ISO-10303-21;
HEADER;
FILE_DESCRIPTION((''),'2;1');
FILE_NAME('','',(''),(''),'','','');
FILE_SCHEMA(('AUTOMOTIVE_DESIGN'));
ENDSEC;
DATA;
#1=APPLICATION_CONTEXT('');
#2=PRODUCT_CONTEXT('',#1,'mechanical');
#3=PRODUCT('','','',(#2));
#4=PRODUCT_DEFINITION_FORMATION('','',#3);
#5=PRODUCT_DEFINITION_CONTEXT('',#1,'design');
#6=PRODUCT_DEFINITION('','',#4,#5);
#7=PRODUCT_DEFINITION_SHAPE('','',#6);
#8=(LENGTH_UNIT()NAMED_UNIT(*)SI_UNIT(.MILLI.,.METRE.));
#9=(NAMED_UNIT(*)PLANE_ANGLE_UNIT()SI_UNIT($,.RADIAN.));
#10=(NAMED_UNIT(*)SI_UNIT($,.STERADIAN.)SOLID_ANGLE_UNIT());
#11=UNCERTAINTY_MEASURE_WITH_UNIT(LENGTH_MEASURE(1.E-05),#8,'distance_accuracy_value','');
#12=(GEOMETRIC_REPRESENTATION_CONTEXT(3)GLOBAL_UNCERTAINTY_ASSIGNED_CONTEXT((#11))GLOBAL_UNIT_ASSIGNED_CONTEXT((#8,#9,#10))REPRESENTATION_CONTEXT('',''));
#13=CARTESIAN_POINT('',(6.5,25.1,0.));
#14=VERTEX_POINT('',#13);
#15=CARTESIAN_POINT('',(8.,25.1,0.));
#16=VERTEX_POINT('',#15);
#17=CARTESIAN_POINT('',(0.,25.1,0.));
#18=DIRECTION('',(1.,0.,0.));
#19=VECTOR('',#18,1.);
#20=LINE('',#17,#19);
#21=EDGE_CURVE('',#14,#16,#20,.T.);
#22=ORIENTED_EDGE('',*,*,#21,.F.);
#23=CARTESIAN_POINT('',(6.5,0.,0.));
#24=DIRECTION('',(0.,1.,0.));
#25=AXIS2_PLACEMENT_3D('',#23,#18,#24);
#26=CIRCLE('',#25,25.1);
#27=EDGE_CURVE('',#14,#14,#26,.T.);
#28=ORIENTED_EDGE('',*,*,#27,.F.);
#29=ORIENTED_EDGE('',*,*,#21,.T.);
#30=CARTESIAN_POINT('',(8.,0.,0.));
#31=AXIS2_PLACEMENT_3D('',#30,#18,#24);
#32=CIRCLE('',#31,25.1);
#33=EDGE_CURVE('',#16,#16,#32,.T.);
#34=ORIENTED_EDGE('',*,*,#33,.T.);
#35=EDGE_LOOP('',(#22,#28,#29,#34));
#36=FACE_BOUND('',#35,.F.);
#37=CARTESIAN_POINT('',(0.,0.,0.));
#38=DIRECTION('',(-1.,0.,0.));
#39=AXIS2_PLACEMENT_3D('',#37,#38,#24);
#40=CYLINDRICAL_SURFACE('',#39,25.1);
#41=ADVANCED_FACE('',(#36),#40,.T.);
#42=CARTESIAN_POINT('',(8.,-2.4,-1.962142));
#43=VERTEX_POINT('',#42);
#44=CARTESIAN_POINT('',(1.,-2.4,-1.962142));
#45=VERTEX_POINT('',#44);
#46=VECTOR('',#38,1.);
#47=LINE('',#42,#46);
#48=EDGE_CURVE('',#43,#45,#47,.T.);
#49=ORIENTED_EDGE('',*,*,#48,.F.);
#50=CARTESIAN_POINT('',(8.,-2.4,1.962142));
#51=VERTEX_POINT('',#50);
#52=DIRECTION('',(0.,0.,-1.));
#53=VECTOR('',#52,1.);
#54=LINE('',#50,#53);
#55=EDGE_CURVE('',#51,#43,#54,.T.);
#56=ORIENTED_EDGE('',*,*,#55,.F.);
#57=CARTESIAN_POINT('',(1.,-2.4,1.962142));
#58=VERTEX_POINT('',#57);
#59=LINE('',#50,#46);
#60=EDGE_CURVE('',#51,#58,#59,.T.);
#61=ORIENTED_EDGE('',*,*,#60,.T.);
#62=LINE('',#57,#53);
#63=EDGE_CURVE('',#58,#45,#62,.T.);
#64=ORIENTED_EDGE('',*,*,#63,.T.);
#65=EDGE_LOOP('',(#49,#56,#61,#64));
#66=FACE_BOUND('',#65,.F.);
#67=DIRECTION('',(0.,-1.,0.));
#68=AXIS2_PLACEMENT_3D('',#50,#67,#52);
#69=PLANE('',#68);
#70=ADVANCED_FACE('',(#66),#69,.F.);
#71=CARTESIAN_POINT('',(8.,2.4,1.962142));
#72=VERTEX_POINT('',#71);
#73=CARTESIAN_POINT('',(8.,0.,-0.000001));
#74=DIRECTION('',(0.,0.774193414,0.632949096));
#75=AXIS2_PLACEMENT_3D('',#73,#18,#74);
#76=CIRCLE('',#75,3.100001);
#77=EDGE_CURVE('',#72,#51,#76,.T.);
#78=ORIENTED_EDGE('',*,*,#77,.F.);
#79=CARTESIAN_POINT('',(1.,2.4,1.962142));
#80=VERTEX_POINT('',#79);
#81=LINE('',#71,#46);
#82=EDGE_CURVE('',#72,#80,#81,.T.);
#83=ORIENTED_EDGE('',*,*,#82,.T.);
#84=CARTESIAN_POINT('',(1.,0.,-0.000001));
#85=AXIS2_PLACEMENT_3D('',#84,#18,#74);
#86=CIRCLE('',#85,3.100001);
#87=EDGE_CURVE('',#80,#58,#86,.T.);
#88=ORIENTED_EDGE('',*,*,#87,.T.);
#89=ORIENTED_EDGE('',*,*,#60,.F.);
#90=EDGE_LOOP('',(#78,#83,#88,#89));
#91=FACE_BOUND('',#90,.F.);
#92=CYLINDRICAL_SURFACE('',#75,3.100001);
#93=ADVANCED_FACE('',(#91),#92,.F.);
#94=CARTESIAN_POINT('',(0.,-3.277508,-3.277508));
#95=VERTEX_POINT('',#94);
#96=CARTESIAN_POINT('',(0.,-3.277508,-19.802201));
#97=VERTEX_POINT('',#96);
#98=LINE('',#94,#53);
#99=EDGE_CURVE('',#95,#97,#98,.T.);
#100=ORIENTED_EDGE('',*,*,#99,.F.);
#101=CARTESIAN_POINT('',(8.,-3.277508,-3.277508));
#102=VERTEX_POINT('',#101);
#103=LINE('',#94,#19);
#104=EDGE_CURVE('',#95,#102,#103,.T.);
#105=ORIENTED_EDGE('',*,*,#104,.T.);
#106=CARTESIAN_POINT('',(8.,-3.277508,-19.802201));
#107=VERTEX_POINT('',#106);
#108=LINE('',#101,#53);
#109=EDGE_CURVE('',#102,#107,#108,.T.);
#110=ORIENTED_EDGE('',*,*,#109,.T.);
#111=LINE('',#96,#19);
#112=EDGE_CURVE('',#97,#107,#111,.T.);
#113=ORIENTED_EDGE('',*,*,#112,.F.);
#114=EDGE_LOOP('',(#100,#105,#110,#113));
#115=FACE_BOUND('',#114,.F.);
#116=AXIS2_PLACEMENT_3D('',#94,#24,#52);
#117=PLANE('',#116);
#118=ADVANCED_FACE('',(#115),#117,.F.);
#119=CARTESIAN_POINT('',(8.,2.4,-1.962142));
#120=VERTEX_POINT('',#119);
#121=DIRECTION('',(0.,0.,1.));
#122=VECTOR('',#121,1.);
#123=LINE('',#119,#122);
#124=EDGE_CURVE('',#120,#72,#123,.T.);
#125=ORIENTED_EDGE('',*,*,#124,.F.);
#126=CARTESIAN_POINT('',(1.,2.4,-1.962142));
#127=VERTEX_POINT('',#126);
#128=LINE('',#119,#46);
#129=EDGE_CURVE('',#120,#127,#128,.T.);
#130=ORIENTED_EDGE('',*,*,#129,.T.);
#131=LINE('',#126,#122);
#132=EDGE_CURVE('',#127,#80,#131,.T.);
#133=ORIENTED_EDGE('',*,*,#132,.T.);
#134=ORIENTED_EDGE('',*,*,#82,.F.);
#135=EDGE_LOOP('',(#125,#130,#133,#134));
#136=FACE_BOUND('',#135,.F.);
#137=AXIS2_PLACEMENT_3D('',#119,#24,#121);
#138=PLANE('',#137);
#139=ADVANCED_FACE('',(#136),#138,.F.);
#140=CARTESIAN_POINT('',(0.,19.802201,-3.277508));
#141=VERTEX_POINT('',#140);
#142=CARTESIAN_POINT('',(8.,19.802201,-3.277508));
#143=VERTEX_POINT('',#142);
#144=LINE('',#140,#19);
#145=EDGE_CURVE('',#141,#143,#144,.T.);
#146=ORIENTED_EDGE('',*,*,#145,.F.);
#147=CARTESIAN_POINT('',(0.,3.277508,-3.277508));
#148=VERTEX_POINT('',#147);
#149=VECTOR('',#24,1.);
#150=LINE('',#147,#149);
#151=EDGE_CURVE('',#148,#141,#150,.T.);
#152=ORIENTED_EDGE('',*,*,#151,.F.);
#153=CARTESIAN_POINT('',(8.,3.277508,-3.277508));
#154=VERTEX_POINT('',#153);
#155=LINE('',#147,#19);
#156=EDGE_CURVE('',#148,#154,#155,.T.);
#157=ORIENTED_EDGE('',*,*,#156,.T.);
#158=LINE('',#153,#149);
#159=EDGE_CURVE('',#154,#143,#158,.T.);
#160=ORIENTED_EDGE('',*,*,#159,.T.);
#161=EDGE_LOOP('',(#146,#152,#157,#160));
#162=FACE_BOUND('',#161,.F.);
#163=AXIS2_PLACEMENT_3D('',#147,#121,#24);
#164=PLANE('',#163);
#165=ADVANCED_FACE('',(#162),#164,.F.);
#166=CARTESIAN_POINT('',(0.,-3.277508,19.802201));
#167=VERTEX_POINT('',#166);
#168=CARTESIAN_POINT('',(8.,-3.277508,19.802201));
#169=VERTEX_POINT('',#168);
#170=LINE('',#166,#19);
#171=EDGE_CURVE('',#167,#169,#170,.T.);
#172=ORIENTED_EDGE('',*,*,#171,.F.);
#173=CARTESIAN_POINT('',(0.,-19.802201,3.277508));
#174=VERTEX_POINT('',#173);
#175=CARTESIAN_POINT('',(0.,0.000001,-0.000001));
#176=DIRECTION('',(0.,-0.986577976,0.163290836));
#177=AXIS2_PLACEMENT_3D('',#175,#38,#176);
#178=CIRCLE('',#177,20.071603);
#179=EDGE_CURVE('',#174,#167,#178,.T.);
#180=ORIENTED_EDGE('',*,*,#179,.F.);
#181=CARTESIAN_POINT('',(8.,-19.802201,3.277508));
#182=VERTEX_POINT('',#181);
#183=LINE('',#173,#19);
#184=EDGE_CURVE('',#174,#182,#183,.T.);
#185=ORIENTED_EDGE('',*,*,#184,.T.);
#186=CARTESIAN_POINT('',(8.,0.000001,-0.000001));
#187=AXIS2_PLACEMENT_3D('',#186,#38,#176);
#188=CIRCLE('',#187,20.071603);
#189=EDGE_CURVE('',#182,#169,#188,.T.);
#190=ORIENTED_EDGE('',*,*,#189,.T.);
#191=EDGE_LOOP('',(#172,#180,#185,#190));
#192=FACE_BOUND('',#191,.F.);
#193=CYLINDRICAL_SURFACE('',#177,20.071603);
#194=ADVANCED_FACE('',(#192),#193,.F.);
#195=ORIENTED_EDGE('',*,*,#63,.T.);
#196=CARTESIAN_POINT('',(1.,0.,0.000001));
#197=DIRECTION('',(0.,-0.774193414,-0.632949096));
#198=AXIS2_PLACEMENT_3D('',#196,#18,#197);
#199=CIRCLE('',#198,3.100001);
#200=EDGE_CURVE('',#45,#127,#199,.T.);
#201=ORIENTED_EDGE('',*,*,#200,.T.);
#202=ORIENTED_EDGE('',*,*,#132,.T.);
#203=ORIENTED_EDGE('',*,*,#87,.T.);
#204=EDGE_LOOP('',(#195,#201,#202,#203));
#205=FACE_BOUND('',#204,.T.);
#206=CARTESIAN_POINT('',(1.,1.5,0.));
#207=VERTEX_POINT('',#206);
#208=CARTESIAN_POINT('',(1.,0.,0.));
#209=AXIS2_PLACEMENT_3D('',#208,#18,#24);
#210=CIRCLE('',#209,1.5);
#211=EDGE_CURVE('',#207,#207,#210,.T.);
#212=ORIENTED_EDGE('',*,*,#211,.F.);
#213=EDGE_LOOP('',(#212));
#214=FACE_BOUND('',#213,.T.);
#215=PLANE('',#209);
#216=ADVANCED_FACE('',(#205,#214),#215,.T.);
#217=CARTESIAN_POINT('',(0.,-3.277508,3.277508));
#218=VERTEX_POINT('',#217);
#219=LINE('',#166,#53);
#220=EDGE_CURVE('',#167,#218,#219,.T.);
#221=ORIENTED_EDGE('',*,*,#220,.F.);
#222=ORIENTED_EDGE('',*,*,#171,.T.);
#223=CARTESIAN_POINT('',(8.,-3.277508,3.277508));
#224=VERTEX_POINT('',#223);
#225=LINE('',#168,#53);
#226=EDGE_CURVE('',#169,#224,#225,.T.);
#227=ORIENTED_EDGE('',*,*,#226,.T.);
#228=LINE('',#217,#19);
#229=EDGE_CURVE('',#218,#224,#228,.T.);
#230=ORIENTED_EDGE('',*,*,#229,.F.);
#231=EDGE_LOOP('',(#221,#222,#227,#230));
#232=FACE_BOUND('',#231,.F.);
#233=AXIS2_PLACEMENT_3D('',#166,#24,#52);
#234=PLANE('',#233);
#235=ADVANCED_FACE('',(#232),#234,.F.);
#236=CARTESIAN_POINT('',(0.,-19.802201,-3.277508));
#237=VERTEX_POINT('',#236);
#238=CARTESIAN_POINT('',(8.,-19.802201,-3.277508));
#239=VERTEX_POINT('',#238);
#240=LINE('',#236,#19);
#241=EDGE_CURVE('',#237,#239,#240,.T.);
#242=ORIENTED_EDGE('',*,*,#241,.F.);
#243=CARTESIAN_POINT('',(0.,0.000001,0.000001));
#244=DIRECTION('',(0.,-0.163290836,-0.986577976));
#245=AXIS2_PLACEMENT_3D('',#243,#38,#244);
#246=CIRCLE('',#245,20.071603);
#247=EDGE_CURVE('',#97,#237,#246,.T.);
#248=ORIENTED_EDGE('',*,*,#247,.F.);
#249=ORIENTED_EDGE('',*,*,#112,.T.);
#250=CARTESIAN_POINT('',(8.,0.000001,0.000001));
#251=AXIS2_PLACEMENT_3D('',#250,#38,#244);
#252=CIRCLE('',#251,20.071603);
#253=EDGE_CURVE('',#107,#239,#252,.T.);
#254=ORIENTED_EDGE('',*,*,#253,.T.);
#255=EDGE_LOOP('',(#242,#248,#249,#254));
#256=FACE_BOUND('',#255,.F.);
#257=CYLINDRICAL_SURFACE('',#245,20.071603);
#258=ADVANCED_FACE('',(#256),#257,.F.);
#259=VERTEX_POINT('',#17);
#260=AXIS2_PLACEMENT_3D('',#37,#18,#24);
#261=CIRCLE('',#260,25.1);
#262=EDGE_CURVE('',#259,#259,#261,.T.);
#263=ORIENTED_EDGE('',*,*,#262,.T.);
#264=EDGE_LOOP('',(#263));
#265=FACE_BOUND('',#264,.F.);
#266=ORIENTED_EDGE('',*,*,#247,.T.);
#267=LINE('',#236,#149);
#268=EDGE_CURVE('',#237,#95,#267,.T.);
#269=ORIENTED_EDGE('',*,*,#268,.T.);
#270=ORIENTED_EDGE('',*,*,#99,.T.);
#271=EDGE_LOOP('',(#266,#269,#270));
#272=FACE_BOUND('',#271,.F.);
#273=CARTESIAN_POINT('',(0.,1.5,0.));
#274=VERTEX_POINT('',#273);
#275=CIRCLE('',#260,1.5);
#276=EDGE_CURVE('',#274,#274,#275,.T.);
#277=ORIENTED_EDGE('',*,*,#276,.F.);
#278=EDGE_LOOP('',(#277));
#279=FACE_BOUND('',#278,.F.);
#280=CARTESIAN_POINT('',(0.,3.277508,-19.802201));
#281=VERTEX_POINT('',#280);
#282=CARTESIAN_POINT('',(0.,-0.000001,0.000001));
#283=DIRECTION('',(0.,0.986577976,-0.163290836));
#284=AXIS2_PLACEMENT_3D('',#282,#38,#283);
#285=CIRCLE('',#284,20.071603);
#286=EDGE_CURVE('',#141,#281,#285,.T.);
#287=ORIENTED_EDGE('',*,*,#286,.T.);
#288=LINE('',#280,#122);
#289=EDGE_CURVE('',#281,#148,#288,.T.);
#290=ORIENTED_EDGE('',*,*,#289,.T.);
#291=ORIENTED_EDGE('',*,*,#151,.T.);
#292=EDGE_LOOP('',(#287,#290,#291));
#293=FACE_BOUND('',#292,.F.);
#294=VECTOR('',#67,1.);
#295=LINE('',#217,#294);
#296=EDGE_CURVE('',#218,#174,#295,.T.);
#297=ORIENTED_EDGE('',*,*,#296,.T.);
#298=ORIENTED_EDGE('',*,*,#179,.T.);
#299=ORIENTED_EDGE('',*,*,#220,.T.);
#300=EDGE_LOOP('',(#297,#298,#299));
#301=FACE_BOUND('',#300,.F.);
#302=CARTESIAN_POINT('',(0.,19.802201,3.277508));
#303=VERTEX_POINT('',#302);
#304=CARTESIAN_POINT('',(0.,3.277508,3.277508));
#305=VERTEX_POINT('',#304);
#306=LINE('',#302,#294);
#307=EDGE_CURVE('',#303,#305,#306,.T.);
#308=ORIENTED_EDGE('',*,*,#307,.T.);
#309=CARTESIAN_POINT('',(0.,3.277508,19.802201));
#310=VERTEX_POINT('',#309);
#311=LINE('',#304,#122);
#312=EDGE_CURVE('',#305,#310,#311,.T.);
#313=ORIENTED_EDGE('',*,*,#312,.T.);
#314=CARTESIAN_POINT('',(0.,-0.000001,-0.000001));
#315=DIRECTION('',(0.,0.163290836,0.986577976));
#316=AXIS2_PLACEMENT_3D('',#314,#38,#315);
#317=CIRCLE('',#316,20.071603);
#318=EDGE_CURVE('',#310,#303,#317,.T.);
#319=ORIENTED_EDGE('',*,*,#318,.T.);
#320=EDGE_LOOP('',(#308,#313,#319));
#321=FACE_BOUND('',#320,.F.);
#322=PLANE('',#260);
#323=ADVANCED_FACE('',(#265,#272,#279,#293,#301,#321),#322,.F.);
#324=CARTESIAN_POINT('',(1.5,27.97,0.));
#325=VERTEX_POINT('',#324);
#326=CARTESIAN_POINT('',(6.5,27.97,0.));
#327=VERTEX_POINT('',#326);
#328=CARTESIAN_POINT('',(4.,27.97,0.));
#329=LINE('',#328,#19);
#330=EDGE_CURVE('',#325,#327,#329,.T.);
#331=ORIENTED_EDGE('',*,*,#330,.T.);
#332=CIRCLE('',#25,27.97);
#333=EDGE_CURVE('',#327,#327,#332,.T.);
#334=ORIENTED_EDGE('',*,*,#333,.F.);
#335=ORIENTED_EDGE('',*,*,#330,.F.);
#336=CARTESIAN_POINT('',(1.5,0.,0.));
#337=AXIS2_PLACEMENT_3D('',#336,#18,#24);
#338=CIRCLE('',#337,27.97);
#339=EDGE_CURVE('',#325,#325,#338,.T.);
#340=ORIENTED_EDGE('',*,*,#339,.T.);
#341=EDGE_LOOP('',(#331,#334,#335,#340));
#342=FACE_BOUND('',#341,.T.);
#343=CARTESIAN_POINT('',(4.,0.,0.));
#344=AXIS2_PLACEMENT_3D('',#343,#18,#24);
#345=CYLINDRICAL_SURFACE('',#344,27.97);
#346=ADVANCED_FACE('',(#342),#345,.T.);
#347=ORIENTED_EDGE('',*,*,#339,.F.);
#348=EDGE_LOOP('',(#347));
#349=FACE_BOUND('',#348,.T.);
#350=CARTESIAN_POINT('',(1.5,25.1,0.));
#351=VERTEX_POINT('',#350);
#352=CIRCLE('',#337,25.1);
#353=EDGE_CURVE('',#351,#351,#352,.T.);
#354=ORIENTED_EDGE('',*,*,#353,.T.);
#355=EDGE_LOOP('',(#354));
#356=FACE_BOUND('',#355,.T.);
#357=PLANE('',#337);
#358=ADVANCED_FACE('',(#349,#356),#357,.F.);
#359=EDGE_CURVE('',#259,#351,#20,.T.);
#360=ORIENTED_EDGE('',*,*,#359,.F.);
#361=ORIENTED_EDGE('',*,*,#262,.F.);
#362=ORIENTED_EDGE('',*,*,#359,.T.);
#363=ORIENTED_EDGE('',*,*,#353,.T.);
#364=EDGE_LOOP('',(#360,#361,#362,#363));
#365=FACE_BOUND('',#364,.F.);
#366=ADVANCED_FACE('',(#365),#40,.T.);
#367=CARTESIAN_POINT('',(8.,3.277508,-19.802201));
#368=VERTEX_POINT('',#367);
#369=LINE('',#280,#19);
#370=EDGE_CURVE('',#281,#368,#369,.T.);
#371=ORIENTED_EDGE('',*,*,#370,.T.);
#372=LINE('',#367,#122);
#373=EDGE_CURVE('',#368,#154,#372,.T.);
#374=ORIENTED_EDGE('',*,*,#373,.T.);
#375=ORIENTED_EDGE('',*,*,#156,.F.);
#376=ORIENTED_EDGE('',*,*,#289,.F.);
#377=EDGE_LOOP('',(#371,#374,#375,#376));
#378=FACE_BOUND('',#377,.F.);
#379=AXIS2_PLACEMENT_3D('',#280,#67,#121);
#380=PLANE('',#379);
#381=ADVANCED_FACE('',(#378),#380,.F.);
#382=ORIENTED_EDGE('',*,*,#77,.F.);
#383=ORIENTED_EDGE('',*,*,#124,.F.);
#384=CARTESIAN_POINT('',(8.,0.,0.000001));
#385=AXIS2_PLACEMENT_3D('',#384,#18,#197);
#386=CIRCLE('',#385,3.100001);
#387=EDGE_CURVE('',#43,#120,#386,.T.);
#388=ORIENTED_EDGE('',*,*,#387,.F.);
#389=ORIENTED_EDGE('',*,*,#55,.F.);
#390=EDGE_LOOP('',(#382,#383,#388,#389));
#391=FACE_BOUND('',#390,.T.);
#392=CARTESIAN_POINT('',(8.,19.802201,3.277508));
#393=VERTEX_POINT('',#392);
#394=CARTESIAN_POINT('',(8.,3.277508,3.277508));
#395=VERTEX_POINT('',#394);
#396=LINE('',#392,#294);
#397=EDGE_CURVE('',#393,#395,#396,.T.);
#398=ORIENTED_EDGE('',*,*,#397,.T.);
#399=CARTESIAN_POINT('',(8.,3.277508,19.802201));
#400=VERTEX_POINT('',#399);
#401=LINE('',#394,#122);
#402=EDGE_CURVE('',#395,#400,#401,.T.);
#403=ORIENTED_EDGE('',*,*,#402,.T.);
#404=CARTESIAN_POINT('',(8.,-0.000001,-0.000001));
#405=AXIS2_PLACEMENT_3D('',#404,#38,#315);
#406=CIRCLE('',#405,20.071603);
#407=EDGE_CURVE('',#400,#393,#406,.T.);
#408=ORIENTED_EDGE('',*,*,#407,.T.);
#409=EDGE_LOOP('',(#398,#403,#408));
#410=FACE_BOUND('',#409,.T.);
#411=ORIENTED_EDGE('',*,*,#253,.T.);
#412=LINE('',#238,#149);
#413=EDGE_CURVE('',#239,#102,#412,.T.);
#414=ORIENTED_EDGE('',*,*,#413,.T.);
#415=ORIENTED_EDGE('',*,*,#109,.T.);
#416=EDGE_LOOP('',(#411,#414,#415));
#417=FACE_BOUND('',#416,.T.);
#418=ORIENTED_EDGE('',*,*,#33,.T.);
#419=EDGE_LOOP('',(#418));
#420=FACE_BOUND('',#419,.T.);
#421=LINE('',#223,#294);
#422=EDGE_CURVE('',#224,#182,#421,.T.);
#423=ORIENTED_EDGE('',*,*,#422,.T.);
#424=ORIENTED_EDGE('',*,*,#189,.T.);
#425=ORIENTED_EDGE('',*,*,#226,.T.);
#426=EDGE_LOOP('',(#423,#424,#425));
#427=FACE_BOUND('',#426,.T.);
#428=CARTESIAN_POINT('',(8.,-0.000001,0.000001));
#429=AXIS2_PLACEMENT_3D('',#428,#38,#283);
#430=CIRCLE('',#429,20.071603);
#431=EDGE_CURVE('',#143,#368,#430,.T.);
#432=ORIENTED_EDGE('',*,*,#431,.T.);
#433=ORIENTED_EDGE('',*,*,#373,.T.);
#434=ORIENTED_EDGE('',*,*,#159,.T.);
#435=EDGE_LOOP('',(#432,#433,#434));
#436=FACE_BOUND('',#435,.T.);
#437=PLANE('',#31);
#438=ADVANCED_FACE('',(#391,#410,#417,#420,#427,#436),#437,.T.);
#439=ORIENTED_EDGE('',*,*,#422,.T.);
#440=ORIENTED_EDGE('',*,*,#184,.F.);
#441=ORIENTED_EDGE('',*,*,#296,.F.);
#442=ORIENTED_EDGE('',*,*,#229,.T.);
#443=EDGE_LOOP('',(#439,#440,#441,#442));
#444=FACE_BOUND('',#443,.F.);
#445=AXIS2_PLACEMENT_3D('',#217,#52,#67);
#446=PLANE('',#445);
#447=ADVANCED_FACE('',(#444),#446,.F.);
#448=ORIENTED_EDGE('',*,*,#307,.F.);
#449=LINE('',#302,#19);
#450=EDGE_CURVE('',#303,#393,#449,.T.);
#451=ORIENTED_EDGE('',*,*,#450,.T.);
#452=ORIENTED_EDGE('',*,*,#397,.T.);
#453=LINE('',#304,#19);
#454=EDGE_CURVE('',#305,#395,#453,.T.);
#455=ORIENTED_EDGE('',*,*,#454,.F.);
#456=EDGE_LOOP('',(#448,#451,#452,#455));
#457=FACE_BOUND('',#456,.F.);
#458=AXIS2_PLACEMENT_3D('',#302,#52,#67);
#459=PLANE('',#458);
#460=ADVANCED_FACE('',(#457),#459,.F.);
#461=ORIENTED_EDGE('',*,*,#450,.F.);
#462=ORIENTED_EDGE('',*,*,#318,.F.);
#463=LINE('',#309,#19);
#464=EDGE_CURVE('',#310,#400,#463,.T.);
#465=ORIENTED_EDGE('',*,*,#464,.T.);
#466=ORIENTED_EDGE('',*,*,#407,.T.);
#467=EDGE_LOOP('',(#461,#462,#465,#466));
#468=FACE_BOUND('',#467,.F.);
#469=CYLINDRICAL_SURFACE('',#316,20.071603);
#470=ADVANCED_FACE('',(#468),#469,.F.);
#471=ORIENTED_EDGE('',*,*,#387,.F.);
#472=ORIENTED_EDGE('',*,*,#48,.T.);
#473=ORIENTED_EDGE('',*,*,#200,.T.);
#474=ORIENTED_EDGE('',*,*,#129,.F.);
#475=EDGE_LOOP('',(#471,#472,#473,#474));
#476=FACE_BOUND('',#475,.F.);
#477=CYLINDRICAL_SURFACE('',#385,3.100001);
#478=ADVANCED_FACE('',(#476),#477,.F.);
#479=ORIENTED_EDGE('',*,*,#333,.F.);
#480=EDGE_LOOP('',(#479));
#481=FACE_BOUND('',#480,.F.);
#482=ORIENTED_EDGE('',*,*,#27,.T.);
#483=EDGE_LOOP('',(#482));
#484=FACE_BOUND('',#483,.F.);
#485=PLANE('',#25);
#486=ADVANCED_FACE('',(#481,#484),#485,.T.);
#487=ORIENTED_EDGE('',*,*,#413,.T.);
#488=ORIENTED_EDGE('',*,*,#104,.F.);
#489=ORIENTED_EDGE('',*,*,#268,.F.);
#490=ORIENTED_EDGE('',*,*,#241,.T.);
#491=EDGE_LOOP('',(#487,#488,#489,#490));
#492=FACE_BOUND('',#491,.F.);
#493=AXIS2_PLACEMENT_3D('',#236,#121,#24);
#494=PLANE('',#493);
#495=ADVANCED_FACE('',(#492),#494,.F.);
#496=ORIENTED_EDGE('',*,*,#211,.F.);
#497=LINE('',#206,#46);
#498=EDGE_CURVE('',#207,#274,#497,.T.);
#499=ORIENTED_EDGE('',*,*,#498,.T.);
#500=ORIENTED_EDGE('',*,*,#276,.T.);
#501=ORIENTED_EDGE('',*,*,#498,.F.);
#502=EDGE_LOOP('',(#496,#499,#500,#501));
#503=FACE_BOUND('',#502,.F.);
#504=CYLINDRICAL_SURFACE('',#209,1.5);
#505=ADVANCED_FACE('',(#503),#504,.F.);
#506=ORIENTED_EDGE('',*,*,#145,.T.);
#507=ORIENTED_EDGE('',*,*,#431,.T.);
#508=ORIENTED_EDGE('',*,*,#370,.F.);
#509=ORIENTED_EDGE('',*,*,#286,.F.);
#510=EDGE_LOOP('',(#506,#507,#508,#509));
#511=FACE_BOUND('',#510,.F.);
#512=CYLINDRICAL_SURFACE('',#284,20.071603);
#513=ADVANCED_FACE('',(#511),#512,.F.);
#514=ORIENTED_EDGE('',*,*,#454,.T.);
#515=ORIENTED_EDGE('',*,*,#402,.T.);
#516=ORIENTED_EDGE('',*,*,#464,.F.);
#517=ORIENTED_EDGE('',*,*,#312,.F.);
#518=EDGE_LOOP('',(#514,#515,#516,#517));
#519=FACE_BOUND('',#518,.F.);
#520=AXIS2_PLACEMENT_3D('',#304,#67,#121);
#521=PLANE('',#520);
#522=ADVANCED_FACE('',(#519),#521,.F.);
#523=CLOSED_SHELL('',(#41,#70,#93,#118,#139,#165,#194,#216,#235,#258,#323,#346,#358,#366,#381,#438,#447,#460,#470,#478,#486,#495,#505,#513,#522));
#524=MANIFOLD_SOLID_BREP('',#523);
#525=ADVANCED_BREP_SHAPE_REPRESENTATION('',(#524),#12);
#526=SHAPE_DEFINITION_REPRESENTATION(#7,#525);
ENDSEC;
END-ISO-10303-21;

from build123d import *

# Parameters (mm, degrees)
F0_R     = 25.1
F1_DEPTH = 8
F3_DEPTH = 7
F4_R     = 1.5
F5_DEPTH = 25
F6_W     = 5
F6_H     = 2.87


with BuildPart() as f1:
    # F0 (on Right) → F1 (new body)
    with BuildSketch(Plane.YZ):
        Circle(F0_R)
        with BuildLine():
            ThreePointArc((-3.277508, -19.802201), (-14.192766, -14.192766), (-19.802201, -3.277508))
            Line((-19.802201, -3.277508), (-3.277508, -3.277508))
            Line((-3.277508, -3.277508), (-3.277508, -19.802201))
        make_face(mode=Mode.SUBTRACT)
        with BuildLine():
            ThreePointArc((19.802201, -3.277508), (14.192766, -14.192766), (3.277508, -19.802201))
            Line((3.277508, -19.802201), (3.277508, -3.277508))
            Line((3.277508, -3.277508), (19.802201, -3.277508))
        make_face(mode=Mode.SUBTRACT)
        with BuildLine():
            ThreePointArc((-19.802201, 3.277508), (-14.192766, 14.192766), (-3.277508, 19.802201))
            Line((-3.277508, 19.802201), (-3.277508, 3.277508))
            Line((-3.277508, 3.277508), (-19.802201, 3.277508))
        make_face(mode=Mode.SUBTRACT)
        with BuildLine():
            Line((3.277508, 3.277508), (3.277508, 19.802201))
            ThreePointArc((3.277508, 19.802201), (14.192766, 14.192766), (19.802201, 3.277508))
            Line((19.802201, 3.277508), (3.277508, 3.277508))
        make_face(mode=Mode.SUBTRACT)
    extrude(amount=F1_DEPTH)

    # F2 (on face) → F3 (cut)
    with BuildSketch(Plane.YZ.offset(8)):
        with BuildLine():
            Line((-2.4, 1.962142), (-2.4, -1.962142))
            ThreePointArc((-2.4, -1.962142), (0, -3.1), (2.4, -1.962142))
            Line((2.4, -1.962142), (2.4, 1.962142))
            ThreePointArc((2.4, 1.962142), (0, 3.1), (-2.4, 1.962142))
        make_face()
    extrude(amount=-F3_DEPTH, mode=Mode.SUBTRACT)

    # F4 (on face) → F5 (cut)
    with BuildSketch(Plane.YZ.offset(1)):
        Circle(F4_R)
    extrude(amount=-F5_DEPTH, mode=Mode.SUBTRACT)

    # F6 (on Top) → F7 (revolve)
    with BuildSketch(Plane.XY):
        with Locations((4, 26.535)):
            Rectangle(F6_W, F6_H)
    revolve(axis=Axis((8, 0, 0), (1, 0, 0)))


solid = f1.part
